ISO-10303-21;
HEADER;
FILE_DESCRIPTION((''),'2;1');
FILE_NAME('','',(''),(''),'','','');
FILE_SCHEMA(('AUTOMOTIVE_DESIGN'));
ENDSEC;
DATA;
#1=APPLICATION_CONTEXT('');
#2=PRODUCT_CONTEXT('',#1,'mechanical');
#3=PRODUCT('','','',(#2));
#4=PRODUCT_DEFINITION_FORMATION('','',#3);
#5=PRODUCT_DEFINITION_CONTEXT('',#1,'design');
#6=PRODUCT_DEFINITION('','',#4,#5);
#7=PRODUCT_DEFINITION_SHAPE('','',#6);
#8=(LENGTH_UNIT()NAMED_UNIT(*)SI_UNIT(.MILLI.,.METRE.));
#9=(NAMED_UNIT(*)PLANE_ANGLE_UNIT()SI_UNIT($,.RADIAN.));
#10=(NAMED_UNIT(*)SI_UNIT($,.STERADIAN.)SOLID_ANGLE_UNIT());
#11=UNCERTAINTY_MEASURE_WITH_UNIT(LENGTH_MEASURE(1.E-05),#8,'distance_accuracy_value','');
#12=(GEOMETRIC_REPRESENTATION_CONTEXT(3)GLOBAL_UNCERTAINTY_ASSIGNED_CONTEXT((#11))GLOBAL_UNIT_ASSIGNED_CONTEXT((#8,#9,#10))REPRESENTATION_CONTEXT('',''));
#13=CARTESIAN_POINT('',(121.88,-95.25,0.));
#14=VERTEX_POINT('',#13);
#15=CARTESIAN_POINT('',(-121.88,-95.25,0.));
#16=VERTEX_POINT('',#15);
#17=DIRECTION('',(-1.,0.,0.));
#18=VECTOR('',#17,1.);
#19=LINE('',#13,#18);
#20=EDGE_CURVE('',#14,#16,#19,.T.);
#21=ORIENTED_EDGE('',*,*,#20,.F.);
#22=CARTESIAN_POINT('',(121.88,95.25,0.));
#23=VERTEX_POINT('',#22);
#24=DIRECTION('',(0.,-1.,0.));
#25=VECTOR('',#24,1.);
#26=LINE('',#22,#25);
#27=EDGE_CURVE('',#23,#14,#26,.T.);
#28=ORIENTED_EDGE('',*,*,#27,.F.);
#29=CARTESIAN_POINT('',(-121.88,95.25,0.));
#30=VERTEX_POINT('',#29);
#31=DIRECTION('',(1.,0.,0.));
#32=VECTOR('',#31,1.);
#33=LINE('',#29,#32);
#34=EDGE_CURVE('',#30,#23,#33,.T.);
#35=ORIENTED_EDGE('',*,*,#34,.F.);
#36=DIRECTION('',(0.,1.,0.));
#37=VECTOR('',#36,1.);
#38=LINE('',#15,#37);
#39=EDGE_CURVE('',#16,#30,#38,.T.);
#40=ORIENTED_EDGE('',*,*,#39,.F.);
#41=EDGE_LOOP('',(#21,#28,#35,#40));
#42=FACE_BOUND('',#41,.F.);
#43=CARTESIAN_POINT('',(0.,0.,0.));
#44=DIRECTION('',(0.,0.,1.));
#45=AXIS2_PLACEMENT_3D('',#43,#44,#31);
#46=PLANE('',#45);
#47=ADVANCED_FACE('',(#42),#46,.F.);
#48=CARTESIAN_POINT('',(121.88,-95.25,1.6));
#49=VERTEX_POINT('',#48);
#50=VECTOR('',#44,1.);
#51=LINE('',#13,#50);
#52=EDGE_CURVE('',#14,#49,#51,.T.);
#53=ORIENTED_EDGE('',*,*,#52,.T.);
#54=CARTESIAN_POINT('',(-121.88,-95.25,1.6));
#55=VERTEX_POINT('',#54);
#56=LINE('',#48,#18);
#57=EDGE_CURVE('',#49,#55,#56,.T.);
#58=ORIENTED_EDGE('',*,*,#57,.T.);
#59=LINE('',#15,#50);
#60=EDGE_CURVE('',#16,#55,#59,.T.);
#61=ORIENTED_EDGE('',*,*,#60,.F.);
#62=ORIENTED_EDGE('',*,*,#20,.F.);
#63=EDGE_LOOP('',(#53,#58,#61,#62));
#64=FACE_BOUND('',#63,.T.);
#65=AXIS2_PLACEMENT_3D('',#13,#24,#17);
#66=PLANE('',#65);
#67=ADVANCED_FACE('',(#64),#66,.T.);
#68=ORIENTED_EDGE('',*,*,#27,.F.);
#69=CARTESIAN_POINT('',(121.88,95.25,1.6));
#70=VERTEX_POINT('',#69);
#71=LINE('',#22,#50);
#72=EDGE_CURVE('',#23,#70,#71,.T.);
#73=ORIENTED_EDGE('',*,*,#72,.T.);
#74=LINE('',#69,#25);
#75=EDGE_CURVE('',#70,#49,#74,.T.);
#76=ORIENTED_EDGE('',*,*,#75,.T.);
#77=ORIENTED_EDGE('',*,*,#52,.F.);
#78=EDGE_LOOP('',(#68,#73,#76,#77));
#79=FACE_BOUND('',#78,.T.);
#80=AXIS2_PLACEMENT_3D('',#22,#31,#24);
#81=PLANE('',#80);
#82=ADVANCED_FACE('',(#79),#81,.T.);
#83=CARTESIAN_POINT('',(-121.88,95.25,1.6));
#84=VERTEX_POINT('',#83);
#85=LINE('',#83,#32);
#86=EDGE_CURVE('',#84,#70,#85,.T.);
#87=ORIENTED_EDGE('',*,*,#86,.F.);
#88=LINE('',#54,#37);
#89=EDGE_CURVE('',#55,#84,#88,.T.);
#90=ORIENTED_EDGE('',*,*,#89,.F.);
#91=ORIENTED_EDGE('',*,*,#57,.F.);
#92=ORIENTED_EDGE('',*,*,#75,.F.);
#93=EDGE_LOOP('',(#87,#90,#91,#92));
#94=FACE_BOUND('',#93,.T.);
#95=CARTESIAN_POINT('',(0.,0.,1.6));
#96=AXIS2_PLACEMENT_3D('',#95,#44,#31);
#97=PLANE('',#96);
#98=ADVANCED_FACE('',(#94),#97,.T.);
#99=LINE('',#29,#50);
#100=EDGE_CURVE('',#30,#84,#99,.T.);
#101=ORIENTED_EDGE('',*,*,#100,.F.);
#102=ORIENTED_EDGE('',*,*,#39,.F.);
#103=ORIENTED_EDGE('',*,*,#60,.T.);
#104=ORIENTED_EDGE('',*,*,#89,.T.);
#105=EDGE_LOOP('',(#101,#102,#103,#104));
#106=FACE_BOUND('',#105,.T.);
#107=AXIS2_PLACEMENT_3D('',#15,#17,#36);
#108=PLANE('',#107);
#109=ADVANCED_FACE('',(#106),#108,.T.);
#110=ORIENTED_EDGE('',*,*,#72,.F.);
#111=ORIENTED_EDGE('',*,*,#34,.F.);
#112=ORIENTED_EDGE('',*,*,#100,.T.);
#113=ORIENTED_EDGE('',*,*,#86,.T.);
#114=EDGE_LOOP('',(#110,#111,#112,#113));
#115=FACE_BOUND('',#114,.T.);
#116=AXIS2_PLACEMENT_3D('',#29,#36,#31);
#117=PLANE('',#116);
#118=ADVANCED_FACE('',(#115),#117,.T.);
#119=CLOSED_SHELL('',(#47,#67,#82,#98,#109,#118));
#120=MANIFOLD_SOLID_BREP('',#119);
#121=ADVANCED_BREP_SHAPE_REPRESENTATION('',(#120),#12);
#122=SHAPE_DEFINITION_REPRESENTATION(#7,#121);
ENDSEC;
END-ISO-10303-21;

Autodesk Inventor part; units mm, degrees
ref_plane "YZ Plane" through (0, 0, 0) normal (1, 0, 0) x (0, 1, 0)
ref_plane "XZ Plane" through (0, 0, 0) normal (0, 1, 0) x (-1, 0, 0)
ref_plane "XY Plane" through (0, 0, 0) normal (0, 0, 1) x (1, 0, 0)
sketch "Sketch1" plane through (0, 0, 0) normal (0, 0, 1) x (1, 0, 0)
  line L0 (-121.88, 95.25) -> (121.88, 95.25)
  line L1 (121.88, 95.25) -> (121.88, -95.25)
  line L2 (121.88, -95.25) -> (-121.88, -95.25)
  line L3 (-121.88, -95.25) -> (-121.88, 95.25)
  line L4 (0, 0) -> (0, 94.2706) construction
  line L5 (0, 0) -> (62.82, 0) construction
  dimension "d0" = 243.76
  dimension "d1" = 190.5
extrude "Extrusion1" add sketch "Sketch1" along normal blind 1.6
properties part number "3d_JacintoDevKit_Addon - Jacinto"
